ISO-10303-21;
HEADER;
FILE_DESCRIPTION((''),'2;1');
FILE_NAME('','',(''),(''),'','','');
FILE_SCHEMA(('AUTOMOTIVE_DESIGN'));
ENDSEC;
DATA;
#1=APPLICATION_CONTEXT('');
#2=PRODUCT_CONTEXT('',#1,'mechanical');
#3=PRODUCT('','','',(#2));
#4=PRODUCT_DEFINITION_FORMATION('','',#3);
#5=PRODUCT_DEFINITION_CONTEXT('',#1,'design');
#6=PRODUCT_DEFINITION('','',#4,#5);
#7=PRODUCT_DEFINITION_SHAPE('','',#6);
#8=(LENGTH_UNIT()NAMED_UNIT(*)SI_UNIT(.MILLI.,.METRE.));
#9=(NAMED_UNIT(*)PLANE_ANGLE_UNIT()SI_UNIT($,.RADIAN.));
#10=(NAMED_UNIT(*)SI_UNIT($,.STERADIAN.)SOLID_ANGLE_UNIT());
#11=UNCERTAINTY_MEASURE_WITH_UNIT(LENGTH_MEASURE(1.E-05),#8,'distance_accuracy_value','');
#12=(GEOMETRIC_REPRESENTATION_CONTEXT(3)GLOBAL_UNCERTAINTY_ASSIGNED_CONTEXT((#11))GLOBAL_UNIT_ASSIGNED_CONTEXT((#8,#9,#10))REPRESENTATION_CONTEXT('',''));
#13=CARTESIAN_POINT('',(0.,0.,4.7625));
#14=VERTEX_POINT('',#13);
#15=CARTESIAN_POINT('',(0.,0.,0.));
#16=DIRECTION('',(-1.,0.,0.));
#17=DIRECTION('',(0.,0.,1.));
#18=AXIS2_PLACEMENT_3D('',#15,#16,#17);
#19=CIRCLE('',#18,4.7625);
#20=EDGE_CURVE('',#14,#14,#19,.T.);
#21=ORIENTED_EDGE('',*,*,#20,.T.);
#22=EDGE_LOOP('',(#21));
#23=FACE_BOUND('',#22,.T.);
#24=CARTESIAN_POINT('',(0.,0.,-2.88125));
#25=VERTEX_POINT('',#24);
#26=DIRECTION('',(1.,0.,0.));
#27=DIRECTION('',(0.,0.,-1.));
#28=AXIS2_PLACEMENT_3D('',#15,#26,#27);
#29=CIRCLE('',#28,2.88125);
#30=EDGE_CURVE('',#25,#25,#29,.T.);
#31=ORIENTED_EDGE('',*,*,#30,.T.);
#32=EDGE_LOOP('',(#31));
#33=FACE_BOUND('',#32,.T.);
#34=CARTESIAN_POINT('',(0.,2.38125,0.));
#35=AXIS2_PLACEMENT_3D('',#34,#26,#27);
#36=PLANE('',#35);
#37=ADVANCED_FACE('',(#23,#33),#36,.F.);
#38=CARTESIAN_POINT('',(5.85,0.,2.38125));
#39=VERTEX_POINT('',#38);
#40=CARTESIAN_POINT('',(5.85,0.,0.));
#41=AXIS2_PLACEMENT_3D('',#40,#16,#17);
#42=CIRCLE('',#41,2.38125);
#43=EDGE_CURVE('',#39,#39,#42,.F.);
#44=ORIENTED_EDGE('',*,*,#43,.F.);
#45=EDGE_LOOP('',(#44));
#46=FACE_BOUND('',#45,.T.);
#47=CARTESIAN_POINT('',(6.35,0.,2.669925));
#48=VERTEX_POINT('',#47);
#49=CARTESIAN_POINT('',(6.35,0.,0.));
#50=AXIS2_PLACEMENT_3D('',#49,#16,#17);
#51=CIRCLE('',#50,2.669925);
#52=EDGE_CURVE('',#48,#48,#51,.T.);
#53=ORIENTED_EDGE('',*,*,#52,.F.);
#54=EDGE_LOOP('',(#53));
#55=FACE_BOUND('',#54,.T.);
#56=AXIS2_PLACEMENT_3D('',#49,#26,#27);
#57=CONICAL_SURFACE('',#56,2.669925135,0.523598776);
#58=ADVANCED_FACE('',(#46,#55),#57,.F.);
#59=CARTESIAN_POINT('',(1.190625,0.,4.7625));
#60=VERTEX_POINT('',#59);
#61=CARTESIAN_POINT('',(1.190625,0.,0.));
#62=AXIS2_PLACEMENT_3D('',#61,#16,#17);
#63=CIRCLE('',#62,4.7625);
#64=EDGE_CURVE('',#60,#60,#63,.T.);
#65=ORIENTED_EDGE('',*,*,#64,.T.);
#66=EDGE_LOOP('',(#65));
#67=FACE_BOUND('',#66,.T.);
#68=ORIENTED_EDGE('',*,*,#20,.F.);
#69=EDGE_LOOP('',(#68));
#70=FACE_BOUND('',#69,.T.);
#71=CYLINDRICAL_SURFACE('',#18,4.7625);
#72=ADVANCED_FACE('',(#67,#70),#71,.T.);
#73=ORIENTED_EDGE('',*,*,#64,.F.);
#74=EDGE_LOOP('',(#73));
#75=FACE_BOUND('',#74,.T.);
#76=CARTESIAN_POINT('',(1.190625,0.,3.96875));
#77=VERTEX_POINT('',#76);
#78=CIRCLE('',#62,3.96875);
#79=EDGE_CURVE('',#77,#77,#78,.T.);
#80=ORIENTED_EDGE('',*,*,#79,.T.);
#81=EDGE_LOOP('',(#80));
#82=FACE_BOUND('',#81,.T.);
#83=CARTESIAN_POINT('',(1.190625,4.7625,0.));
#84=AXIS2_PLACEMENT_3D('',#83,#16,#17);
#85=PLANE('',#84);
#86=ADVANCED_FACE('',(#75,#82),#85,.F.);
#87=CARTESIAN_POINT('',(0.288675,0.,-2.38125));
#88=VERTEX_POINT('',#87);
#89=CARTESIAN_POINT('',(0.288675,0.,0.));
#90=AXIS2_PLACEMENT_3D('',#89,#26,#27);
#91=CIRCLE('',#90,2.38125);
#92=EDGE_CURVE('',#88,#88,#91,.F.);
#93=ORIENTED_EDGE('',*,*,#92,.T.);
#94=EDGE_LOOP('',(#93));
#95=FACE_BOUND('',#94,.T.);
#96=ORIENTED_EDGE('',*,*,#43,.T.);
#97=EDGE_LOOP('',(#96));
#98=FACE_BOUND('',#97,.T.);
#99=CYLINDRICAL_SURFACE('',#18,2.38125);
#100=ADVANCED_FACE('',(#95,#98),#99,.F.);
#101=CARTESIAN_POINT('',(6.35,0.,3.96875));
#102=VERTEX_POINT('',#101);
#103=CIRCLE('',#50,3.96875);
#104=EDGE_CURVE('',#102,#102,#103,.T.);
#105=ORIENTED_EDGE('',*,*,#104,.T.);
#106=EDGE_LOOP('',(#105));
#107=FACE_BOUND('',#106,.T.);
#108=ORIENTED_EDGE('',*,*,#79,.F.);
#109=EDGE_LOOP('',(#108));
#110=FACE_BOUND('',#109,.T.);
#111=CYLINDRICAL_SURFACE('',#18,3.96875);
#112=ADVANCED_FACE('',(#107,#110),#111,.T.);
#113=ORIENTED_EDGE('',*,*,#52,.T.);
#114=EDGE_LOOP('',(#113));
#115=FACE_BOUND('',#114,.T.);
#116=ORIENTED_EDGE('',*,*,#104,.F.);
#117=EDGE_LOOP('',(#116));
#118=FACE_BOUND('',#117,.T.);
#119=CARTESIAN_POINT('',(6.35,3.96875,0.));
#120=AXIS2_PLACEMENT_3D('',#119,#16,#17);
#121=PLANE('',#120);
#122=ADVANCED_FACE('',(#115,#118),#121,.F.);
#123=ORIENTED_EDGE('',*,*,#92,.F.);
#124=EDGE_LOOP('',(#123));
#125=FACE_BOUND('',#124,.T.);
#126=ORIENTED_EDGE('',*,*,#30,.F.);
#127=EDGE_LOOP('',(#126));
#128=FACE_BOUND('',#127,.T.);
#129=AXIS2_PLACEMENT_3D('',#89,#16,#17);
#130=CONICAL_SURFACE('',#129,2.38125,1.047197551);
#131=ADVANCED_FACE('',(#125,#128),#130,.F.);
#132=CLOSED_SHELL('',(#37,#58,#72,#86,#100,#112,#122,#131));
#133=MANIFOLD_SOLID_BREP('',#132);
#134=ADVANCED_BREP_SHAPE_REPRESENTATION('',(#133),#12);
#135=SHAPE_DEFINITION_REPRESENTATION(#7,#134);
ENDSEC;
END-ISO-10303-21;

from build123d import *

# Parameters (mm, degrees)
CHAMFER1_SIZE         = 0.5
CHAMFER1_SIZE2        = 0.288675135
CHAMFER1_PART_2_SIZE  = 0.5
CHAMFER1_PART_2_SIZE2 = 0.288675135


with BuildPart() as part:
    # Sketch1 → Revolve1 (revolve)
    with BuildSketch(Plane.XY):
        Polygon((0, 2.38125), (0, 4.7625), (1.190625, 4.7625), (1.190625, 3.96875), (6.35, 3.96875), (6.35, 2.38125), align=None)
    revolve(axis=Axis((0, 0, 0), (1, 0, 0)))

    # Chamfer1
    chamfer1_edges = [part.edges().sort_by_distance(p)[0] for p in [
        (6.35, -2.38125, 0),
    ]]
    chamfer1_side = [part.faces().sort_by_distance(p)[0] for p in [
        (3.175, -2.38125, 0),
    ]]
    chamfer(chamfer1_edges, length=CHAMFER1_SIZE, length2=CHAMFER1_SIZE2, reference=chamfer1_side[0])

    # Chamfer1 part 2
    chamfer1_part_2_edges = [part.edges().sort_by_distance(p)[0] for p in [
        (0, -2.38125, 0),
    ]]
    chamfer1_part_2_side = [part.faces().sort_by_distance(p)[0] for p in [
        (0, -2.515953842, 0),
    ]]
    chamfer(chamfer1_part_2_edges, length=CHAMFER1_PART_2_SIZE, length2=CHAMFER1_PART_2_SIZE2, reference=chamfer1_part_2_side[0])


solid = part.part
